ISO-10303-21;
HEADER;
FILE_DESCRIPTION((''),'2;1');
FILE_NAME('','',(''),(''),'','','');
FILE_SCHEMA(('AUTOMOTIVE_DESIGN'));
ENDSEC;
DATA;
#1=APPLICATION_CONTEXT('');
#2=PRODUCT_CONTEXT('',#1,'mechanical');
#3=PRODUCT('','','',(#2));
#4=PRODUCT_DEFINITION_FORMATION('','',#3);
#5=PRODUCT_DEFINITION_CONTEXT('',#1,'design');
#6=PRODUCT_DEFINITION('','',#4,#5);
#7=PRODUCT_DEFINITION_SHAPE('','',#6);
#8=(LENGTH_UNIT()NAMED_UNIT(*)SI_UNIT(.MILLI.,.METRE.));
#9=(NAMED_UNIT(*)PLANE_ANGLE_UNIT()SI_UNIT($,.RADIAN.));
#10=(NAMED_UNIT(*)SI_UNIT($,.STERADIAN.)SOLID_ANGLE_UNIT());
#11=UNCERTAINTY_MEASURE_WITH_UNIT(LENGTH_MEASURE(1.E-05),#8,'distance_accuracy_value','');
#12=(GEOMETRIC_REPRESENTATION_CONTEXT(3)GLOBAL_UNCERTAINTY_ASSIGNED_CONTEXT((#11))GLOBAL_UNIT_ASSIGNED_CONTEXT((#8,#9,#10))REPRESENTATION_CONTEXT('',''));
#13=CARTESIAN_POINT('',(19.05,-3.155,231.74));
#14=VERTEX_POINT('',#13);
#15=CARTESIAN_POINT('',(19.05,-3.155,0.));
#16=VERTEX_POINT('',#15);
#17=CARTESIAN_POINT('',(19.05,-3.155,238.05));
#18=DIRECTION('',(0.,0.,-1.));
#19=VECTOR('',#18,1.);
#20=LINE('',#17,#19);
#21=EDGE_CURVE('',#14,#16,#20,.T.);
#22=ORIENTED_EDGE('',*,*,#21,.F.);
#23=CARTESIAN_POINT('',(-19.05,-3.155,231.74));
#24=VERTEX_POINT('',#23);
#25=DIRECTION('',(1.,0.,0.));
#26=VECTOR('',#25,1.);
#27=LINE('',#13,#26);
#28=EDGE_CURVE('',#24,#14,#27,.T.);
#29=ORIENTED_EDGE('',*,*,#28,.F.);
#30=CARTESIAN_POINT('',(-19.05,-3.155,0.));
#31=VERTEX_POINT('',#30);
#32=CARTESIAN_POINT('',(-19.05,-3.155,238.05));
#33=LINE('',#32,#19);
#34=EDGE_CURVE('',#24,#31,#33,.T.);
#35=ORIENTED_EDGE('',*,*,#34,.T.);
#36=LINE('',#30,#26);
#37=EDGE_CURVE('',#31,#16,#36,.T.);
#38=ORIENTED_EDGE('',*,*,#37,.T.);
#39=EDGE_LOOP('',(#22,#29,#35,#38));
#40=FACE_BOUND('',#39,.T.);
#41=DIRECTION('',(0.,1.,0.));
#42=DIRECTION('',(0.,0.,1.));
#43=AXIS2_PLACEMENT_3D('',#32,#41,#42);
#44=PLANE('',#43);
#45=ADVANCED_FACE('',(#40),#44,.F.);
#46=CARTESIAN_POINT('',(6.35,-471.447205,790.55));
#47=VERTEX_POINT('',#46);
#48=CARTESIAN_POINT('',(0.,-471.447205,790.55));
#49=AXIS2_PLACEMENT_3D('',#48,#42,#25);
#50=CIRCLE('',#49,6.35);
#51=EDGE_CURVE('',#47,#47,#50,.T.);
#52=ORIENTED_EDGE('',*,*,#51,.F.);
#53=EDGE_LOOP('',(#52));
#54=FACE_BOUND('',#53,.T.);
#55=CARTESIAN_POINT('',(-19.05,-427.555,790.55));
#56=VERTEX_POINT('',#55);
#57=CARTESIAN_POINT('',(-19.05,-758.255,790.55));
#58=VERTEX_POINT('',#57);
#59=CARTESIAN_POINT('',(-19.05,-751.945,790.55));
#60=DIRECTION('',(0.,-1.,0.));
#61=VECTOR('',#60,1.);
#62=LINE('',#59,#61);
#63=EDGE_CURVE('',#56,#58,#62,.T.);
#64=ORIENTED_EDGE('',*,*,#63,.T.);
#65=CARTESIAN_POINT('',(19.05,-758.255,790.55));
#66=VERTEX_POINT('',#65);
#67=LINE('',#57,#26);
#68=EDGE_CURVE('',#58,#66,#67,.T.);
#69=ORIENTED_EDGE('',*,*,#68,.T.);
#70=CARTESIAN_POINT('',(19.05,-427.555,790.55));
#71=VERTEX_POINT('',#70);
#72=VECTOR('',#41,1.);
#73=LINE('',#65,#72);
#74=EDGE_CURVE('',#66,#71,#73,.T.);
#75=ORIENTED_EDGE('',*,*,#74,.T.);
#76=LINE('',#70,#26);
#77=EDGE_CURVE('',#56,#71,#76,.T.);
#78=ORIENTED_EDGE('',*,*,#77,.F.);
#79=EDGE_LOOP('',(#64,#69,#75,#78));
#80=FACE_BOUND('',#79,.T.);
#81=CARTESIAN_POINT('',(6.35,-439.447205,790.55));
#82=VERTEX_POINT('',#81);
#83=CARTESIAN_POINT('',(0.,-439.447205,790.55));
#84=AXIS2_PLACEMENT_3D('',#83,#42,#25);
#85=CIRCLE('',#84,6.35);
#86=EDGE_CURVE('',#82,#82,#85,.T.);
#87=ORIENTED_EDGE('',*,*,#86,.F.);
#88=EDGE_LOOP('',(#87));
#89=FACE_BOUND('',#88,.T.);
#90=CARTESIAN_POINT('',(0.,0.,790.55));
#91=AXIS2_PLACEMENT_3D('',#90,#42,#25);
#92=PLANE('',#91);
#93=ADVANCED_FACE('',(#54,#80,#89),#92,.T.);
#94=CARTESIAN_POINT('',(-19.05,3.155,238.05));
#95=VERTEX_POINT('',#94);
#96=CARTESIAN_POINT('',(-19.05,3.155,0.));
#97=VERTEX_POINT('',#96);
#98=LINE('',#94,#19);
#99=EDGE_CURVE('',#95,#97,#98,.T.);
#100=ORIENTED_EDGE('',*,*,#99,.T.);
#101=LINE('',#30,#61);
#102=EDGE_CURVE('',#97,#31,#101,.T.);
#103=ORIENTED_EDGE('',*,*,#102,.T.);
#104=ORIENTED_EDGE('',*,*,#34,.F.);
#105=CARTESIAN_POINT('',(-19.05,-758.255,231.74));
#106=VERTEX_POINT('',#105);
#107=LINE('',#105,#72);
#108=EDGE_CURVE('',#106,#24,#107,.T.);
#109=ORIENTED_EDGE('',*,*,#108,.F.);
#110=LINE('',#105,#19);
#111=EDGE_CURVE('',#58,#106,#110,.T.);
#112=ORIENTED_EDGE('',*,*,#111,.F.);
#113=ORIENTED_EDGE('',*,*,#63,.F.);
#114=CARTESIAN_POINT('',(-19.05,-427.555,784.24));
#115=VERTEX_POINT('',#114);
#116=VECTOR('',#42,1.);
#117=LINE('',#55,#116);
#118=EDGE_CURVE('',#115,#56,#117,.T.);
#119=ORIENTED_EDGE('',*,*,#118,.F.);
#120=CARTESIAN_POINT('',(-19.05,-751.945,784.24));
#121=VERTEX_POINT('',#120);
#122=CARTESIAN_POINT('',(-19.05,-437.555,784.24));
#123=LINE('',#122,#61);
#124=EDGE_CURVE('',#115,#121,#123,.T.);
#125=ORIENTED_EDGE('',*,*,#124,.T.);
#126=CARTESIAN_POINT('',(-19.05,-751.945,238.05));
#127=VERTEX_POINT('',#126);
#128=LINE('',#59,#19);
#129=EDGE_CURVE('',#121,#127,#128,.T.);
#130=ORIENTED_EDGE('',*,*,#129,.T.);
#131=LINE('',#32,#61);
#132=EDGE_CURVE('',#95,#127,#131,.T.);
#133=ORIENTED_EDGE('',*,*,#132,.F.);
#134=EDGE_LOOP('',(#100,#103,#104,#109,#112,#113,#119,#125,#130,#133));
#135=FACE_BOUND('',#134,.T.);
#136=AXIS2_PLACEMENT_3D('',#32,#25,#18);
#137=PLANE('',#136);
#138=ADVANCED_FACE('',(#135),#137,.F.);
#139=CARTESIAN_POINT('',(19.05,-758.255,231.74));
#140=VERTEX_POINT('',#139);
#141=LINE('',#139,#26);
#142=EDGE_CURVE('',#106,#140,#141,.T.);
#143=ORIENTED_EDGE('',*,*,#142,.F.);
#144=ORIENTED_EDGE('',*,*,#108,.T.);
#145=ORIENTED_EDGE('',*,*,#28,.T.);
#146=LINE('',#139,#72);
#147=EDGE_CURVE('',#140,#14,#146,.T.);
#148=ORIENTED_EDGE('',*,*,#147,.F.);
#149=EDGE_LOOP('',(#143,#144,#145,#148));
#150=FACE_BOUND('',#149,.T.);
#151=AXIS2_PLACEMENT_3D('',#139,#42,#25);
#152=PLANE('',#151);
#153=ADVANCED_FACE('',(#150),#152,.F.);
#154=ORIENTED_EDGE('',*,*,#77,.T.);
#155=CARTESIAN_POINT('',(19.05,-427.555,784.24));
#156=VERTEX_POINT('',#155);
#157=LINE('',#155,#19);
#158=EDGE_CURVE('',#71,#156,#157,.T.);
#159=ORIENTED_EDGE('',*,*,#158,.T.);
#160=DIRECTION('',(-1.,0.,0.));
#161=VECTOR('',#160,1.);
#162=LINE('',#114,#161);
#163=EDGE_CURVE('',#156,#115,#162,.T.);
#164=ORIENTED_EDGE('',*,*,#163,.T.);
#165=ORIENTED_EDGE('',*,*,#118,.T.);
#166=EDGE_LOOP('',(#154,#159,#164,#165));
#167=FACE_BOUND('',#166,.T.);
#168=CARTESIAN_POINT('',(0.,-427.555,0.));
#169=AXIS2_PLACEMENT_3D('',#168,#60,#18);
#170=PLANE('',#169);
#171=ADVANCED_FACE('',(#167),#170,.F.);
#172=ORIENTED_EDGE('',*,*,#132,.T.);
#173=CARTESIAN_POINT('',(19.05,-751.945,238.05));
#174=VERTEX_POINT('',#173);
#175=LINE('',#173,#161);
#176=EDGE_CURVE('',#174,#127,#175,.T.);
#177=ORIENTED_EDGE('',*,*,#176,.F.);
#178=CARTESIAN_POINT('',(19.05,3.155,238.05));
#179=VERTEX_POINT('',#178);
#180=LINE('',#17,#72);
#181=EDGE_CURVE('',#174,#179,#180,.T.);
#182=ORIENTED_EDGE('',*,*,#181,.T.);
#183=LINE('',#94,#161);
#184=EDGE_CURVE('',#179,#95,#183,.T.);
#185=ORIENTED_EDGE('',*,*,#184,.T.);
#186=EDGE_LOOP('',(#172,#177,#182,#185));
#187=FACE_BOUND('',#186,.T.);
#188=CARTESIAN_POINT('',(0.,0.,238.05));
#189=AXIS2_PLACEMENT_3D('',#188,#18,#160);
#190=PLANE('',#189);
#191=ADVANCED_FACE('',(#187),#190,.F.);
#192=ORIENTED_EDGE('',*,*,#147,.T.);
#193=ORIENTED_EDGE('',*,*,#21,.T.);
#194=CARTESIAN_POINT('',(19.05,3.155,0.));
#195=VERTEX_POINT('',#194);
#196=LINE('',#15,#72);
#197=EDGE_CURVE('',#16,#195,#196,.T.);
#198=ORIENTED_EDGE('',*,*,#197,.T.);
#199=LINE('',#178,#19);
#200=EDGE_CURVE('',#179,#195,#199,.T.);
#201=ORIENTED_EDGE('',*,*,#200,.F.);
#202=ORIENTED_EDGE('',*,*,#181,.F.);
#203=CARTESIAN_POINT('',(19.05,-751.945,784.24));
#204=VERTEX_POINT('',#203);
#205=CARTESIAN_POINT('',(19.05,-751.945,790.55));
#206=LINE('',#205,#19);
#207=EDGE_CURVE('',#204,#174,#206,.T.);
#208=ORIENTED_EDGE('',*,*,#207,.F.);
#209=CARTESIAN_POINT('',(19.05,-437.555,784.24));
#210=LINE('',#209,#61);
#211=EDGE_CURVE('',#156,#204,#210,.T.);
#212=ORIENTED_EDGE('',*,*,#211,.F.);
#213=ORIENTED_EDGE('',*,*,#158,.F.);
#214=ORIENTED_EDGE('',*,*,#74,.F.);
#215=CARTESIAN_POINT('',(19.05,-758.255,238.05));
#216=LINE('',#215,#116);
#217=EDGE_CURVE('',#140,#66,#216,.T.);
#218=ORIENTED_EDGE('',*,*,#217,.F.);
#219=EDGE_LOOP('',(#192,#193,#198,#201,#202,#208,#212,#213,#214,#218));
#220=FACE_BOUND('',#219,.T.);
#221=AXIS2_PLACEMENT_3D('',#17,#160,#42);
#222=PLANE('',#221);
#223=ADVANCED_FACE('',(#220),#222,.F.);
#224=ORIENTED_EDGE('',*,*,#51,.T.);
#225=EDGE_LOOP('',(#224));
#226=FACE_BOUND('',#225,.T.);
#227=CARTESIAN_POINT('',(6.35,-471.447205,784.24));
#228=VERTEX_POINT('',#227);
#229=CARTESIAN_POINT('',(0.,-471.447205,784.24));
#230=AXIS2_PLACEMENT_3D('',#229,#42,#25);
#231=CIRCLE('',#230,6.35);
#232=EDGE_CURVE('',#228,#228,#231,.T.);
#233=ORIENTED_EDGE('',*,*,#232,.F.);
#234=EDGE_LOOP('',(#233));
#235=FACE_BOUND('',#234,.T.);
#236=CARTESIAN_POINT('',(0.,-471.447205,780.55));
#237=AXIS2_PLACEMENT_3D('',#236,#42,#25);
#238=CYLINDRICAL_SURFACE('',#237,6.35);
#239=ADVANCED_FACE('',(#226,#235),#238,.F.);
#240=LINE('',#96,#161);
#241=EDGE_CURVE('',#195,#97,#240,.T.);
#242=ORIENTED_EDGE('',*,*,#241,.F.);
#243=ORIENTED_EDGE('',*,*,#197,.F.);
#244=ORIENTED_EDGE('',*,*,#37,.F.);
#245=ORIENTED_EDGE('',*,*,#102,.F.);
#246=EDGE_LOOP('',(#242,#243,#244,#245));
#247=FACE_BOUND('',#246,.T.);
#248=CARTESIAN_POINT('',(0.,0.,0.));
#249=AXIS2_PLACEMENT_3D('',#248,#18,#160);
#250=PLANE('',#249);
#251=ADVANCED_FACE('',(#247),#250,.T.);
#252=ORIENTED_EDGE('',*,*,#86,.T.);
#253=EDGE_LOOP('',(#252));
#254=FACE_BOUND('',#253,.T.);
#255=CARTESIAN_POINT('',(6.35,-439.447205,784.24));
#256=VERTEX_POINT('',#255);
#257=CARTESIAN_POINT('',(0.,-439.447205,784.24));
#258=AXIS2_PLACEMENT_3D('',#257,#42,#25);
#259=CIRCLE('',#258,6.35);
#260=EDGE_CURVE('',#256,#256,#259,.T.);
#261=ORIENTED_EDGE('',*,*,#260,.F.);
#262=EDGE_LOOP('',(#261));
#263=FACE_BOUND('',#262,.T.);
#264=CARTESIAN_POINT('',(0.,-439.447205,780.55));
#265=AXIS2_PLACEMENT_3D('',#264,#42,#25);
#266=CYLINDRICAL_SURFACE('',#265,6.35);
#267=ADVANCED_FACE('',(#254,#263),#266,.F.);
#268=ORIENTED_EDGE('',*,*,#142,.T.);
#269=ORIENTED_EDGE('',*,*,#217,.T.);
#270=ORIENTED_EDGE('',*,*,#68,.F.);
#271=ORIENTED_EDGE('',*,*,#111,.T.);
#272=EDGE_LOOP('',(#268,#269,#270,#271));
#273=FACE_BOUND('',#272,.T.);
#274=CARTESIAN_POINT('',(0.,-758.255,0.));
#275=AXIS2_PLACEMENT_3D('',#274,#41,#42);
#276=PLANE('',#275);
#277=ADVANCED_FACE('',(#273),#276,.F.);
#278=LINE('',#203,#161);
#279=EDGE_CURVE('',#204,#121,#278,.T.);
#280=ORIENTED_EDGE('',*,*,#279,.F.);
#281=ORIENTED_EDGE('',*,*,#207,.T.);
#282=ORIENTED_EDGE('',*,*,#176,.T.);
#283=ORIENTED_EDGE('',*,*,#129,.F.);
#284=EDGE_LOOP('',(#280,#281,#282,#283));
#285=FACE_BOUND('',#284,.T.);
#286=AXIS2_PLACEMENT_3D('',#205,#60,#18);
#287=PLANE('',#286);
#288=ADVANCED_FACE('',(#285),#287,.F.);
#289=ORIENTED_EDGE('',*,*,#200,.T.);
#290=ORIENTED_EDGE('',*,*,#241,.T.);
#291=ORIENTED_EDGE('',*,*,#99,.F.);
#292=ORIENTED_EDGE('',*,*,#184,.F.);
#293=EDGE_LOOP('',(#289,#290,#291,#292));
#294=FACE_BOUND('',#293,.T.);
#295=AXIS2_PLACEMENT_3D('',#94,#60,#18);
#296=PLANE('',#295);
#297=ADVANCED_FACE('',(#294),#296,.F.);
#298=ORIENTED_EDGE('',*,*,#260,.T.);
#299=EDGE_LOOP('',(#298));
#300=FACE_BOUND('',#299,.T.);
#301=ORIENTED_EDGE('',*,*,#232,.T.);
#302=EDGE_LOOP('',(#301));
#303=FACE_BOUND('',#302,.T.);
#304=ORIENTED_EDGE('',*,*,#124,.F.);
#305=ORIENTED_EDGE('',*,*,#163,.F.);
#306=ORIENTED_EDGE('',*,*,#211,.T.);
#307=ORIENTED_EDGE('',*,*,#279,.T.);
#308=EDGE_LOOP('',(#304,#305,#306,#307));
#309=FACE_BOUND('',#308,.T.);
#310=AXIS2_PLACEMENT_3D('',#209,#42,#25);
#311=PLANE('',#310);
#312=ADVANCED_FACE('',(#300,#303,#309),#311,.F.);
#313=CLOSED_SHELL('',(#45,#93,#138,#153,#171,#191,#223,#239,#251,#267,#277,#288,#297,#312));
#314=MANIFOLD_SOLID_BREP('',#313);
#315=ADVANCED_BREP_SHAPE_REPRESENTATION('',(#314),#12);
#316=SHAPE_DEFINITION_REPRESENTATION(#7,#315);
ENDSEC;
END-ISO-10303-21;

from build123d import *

# Parameters (mm, degrees)
CROQUIS1_W              = 38.1
CROQUIS1_H              = 6.31
SALIENTE_EXTRUIR1_DEPTH = 238.05
CROQUIS2_W              = 38.1
CROQUIS2_H              = 6.31
SALIENTE_EXTRUIR2_DEPTH = 755.1
CROQUIS3_W              = 38.1
CROQUIS3_H              = 6.31
SALIENTE_EXTRUIR3_DEPTH = 552.5
CROQUIS4_W              = 38.1
CROQUIS4_H              = 6.31
SALIENTE_EXTRUIR4_DEPTH = 314.39
CROQUIS6_W              = 38.1
CROQUIS6_H              = 6.31
SALIENTE_EXTRUIR5_DEPTH = 10
CROQUIS8_R              = 6.35
CORTAR_EXTRUIR1_DEPTH   = 10


with BuildPart() as part:
    # Croquis1 → Saliente-Extruir1 (new body)
    with BuildSketch(Plane.XY):
        Rectangle(CROQUIS1_W, CROQUIS1_H)
    extrude(amount=SALIENTE_EXTRUIR1_DEPTH)

    # Croquis2 → Saliente-Extruir2 (add)
    with BuildSketch(Plane.XZ.offset(3.155)):
        with Locations((0, 234.895)):
            Rectangle(CROQUIS2_W, CROQUIS2_H)
    extrude(amount=SALIENTE_EXTRUIR2_DEPTH)

    # Croquis3 → Saliente-Extruir3 (add)
    with BuildSketch(Plane.XY.offset(238.05)):
        with Locations((0, -755.1)):
            Rectangle(CROQUIS3_W, CROQUIS3_H)
    extrude(amount=SALIENTE_EXTRUIR3_DEPTH)

    # Croquis4 → Saliente-Extruir4 (add)
    with BuildSketch(Plane(origin=(0, -751.945, 0), x_dir=(1, 0, 0), z_dir=(0, 1, 0))):
        with Locations((0, -787.395)):
            Rectangle(CROQUIS4_W, CROQUIS4_H)
    extrude(amount=SALIENTE_EXTRUIR4_DEPTH)

    # Croquis6 → Saliente-Extruir5 (add)
    with BuildSketch(Plane(origin=(0, -437.555, 0), x_dir=(1, 0, 0), z_dir=(0, 1, 0))):
        with Locations((0, -787.395)):
            Rectangle(CROQUIS6_W, CROQUIS6_H)
    extrude(amount=SALIENTE_EXTRUIR5_DEPTH)

    # Croquis8 → Cortar-Extruir1 (cut)
    with BuildSketch(Plane.XY.offset(790.55)):
        with Locations((0, -471.447204666)):
            Circle(CROQUIS8_R)
        with Locations((0, -439.447204666)):
            Circle(CROQUIS8_R)
    extrude(amount=-CORTAR_EXTRUIR1_DEPTH, mode=Mode.SUBTRACT)


solid = part.part
